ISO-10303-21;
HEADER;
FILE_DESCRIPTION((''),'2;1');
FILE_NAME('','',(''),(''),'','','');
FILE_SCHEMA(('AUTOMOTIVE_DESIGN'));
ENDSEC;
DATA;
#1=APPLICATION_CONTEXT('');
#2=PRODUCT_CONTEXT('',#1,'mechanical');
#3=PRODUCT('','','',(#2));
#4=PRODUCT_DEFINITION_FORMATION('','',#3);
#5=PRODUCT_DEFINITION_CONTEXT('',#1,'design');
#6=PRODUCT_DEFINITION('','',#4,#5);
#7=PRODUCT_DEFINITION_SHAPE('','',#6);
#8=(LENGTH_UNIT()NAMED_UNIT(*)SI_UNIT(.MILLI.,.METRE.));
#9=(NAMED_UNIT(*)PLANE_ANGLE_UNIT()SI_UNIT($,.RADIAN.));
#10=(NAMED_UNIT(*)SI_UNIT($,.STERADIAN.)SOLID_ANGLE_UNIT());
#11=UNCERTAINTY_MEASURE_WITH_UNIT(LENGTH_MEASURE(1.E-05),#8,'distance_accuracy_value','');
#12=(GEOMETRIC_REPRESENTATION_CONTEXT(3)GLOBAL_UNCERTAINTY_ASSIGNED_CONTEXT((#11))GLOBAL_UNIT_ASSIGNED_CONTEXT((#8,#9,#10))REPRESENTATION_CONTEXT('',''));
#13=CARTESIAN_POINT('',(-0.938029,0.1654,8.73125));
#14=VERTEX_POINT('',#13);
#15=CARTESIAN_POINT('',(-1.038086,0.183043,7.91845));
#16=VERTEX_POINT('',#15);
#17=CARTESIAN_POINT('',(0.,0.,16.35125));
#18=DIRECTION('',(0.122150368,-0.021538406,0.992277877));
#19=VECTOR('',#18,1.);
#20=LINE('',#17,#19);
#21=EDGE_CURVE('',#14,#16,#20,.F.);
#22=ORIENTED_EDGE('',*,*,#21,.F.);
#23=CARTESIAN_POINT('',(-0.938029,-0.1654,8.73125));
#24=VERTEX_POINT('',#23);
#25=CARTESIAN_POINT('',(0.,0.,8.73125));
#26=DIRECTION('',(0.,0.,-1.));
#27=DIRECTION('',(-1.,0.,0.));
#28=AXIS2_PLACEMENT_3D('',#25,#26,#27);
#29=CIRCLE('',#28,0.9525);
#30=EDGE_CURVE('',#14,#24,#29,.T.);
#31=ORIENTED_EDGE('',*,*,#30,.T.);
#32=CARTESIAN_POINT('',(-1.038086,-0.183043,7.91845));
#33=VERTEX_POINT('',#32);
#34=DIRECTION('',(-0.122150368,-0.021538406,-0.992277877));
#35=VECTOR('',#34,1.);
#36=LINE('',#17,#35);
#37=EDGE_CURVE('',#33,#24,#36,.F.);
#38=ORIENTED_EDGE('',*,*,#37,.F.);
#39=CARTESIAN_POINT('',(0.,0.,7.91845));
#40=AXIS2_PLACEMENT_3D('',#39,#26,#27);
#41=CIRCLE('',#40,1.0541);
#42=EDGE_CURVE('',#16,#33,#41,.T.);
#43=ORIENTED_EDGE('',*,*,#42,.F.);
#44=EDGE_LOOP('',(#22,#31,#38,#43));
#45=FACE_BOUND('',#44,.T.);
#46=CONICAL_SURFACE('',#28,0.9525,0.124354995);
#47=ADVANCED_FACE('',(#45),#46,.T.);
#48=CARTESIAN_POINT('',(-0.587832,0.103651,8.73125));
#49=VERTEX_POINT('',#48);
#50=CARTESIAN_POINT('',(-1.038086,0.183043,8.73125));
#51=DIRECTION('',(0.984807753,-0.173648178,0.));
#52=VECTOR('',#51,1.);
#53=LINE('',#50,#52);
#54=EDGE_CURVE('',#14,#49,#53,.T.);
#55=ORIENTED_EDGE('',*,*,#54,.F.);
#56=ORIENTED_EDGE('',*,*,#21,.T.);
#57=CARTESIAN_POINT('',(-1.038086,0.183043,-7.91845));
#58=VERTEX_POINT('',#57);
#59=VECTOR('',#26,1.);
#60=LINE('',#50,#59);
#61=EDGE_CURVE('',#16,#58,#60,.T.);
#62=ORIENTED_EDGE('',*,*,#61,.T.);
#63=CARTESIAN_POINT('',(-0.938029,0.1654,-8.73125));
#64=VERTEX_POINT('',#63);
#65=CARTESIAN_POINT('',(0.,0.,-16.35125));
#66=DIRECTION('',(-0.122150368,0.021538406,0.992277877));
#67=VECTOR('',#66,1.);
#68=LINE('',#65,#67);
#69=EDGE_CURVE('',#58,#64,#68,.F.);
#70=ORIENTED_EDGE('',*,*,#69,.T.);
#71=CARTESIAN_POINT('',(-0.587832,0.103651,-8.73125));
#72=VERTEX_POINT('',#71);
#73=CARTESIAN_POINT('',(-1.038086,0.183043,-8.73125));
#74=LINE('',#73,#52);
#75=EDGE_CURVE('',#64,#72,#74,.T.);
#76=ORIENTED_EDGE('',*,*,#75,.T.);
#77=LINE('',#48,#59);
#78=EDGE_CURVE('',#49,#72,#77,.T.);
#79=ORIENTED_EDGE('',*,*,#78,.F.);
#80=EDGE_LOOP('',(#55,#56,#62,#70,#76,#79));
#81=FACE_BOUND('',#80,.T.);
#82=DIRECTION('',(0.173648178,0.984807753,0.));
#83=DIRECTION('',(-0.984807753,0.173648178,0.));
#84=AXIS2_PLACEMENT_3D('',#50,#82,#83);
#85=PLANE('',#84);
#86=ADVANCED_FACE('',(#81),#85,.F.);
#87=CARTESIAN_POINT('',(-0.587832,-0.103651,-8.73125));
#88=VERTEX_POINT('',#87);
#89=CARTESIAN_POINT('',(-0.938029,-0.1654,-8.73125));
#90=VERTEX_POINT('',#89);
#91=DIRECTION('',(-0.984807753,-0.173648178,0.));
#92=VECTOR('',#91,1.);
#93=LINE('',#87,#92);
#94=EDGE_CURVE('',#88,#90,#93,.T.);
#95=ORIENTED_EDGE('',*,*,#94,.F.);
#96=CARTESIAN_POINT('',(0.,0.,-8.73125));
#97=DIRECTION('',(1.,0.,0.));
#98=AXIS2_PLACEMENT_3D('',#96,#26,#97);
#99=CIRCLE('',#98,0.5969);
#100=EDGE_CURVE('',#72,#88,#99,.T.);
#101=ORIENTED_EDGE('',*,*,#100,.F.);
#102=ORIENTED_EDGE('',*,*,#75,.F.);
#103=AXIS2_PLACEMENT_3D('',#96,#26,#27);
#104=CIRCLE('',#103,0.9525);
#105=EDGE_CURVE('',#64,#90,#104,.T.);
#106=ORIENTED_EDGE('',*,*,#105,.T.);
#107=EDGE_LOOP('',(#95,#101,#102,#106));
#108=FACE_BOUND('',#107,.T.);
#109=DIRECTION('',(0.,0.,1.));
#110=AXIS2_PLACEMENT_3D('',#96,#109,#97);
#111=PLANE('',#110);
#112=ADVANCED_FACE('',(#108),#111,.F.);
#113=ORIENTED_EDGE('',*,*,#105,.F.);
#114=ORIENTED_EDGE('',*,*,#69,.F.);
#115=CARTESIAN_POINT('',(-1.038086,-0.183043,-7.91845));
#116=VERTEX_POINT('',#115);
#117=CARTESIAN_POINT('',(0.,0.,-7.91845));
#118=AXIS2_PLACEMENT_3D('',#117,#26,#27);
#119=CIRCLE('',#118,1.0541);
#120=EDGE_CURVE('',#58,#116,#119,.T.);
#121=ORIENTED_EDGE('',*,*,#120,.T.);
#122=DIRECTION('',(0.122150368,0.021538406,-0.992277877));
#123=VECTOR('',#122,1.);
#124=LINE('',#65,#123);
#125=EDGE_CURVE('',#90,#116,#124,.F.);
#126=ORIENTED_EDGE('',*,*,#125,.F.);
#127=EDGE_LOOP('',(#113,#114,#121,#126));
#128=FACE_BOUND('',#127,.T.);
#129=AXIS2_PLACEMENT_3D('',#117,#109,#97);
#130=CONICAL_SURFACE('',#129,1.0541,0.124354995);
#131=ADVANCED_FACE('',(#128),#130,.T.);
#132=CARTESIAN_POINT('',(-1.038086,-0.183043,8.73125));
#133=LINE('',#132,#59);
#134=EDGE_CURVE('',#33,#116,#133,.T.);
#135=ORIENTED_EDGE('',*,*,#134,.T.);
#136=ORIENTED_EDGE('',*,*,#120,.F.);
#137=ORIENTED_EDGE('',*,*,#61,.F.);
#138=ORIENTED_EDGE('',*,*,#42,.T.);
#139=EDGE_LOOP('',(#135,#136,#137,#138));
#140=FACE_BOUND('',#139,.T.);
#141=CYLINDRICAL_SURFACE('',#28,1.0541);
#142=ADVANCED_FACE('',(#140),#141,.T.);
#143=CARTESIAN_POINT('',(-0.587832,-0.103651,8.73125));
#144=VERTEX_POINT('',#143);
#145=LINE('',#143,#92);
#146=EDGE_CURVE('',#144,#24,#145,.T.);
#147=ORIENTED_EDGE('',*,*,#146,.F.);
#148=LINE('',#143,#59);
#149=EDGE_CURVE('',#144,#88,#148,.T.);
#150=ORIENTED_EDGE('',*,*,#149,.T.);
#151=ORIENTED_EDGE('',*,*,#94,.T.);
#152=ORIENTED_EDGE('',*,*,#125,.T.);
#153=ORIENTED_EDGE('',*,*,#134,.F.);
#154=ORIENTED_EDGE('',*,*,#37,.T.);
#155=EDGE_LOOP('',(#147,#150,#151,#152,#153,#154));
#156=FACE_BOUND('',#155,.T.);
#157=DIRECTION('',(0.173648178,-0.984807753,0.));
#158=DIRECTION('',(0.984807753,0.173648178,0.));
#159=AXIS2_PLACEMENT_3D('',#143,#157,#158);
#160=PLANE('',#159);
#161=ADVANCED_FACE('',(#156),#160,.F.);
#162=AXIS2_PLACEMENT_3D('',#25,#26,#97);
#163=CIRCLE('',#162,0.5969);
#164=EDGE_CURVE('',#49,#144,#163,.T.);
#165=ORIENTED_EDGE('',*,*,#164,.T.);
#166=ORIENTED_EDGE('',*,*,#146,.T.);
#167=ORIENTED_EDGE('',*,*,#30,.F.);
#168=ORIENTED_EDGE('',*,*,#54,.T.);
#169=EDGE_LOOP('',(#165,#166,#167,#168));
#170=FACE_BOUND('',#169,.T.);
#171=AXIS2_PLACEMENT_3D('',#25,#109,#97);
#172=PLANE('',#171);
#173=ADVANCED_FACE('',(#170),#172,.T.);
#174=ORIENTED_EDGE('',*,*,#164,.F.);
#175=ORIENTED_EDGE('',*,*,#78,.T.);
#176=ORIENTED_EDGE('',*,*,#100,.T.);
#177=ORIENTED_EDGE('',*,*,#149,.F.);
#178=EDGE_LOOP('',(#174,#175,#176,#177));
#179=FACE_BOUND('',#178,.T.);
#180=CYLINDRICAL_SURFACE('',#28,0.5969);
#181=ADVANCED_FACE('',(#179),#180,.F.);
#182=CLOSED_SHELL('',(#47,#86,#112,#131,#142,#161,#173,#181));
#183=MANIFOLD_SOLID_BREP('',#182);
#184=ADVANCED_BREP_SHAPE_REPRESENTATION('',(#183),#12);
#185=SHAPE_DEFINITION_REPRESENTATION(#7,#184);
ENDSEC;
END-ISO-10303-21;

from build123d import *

# Parameters (mm, degrees)
EXTRUDE1_DEPTH = 8.73125


with BuildPart() as part:
    # Sketch1 → Extrude1 (new body, symmetric)
    with BuildSketch(Plane.XY):
        with BuildLine():
            Line((-1.038085852, 0.183042544), (-0.587831748, 0.103650597))
            ThreePointArc((-0.587831748, 0.103650597), (0.5969, 0), (-0.587831748, -0.103650597))
            Line((-0.587831748, -0.103650597), (-1.038085852, -0.183042544))
            ThreePointArc((-1.038085852, -0.183042544), (1.0541, 0), (-1.038085852, 0.183042544))
        make_face()
    extrude(amount=EXTRUDE1_DEPTH, both=True)

    # Sketch2 → Cut-Revolve1 (revolve, cut)
    with BuildSketch(Plane(origin=(0, 0, 0), x_dir=(0, 0, -1), z_dir=(1, 0, 0))):
        Polygon((8.73125, 1.0541), (8.73125, 0.9525), (7.91845, 1.0541), align=None)
        Polygon((-7.91845, 1.0541), (-8.73125, 1.0541), (-8.73125, 0.9525), align=None)
    revolve(axis=Axis((0, 0, -8.73125), (0, 0, 1)), mode=Mode.SUBTRACT)


solid = part.part
